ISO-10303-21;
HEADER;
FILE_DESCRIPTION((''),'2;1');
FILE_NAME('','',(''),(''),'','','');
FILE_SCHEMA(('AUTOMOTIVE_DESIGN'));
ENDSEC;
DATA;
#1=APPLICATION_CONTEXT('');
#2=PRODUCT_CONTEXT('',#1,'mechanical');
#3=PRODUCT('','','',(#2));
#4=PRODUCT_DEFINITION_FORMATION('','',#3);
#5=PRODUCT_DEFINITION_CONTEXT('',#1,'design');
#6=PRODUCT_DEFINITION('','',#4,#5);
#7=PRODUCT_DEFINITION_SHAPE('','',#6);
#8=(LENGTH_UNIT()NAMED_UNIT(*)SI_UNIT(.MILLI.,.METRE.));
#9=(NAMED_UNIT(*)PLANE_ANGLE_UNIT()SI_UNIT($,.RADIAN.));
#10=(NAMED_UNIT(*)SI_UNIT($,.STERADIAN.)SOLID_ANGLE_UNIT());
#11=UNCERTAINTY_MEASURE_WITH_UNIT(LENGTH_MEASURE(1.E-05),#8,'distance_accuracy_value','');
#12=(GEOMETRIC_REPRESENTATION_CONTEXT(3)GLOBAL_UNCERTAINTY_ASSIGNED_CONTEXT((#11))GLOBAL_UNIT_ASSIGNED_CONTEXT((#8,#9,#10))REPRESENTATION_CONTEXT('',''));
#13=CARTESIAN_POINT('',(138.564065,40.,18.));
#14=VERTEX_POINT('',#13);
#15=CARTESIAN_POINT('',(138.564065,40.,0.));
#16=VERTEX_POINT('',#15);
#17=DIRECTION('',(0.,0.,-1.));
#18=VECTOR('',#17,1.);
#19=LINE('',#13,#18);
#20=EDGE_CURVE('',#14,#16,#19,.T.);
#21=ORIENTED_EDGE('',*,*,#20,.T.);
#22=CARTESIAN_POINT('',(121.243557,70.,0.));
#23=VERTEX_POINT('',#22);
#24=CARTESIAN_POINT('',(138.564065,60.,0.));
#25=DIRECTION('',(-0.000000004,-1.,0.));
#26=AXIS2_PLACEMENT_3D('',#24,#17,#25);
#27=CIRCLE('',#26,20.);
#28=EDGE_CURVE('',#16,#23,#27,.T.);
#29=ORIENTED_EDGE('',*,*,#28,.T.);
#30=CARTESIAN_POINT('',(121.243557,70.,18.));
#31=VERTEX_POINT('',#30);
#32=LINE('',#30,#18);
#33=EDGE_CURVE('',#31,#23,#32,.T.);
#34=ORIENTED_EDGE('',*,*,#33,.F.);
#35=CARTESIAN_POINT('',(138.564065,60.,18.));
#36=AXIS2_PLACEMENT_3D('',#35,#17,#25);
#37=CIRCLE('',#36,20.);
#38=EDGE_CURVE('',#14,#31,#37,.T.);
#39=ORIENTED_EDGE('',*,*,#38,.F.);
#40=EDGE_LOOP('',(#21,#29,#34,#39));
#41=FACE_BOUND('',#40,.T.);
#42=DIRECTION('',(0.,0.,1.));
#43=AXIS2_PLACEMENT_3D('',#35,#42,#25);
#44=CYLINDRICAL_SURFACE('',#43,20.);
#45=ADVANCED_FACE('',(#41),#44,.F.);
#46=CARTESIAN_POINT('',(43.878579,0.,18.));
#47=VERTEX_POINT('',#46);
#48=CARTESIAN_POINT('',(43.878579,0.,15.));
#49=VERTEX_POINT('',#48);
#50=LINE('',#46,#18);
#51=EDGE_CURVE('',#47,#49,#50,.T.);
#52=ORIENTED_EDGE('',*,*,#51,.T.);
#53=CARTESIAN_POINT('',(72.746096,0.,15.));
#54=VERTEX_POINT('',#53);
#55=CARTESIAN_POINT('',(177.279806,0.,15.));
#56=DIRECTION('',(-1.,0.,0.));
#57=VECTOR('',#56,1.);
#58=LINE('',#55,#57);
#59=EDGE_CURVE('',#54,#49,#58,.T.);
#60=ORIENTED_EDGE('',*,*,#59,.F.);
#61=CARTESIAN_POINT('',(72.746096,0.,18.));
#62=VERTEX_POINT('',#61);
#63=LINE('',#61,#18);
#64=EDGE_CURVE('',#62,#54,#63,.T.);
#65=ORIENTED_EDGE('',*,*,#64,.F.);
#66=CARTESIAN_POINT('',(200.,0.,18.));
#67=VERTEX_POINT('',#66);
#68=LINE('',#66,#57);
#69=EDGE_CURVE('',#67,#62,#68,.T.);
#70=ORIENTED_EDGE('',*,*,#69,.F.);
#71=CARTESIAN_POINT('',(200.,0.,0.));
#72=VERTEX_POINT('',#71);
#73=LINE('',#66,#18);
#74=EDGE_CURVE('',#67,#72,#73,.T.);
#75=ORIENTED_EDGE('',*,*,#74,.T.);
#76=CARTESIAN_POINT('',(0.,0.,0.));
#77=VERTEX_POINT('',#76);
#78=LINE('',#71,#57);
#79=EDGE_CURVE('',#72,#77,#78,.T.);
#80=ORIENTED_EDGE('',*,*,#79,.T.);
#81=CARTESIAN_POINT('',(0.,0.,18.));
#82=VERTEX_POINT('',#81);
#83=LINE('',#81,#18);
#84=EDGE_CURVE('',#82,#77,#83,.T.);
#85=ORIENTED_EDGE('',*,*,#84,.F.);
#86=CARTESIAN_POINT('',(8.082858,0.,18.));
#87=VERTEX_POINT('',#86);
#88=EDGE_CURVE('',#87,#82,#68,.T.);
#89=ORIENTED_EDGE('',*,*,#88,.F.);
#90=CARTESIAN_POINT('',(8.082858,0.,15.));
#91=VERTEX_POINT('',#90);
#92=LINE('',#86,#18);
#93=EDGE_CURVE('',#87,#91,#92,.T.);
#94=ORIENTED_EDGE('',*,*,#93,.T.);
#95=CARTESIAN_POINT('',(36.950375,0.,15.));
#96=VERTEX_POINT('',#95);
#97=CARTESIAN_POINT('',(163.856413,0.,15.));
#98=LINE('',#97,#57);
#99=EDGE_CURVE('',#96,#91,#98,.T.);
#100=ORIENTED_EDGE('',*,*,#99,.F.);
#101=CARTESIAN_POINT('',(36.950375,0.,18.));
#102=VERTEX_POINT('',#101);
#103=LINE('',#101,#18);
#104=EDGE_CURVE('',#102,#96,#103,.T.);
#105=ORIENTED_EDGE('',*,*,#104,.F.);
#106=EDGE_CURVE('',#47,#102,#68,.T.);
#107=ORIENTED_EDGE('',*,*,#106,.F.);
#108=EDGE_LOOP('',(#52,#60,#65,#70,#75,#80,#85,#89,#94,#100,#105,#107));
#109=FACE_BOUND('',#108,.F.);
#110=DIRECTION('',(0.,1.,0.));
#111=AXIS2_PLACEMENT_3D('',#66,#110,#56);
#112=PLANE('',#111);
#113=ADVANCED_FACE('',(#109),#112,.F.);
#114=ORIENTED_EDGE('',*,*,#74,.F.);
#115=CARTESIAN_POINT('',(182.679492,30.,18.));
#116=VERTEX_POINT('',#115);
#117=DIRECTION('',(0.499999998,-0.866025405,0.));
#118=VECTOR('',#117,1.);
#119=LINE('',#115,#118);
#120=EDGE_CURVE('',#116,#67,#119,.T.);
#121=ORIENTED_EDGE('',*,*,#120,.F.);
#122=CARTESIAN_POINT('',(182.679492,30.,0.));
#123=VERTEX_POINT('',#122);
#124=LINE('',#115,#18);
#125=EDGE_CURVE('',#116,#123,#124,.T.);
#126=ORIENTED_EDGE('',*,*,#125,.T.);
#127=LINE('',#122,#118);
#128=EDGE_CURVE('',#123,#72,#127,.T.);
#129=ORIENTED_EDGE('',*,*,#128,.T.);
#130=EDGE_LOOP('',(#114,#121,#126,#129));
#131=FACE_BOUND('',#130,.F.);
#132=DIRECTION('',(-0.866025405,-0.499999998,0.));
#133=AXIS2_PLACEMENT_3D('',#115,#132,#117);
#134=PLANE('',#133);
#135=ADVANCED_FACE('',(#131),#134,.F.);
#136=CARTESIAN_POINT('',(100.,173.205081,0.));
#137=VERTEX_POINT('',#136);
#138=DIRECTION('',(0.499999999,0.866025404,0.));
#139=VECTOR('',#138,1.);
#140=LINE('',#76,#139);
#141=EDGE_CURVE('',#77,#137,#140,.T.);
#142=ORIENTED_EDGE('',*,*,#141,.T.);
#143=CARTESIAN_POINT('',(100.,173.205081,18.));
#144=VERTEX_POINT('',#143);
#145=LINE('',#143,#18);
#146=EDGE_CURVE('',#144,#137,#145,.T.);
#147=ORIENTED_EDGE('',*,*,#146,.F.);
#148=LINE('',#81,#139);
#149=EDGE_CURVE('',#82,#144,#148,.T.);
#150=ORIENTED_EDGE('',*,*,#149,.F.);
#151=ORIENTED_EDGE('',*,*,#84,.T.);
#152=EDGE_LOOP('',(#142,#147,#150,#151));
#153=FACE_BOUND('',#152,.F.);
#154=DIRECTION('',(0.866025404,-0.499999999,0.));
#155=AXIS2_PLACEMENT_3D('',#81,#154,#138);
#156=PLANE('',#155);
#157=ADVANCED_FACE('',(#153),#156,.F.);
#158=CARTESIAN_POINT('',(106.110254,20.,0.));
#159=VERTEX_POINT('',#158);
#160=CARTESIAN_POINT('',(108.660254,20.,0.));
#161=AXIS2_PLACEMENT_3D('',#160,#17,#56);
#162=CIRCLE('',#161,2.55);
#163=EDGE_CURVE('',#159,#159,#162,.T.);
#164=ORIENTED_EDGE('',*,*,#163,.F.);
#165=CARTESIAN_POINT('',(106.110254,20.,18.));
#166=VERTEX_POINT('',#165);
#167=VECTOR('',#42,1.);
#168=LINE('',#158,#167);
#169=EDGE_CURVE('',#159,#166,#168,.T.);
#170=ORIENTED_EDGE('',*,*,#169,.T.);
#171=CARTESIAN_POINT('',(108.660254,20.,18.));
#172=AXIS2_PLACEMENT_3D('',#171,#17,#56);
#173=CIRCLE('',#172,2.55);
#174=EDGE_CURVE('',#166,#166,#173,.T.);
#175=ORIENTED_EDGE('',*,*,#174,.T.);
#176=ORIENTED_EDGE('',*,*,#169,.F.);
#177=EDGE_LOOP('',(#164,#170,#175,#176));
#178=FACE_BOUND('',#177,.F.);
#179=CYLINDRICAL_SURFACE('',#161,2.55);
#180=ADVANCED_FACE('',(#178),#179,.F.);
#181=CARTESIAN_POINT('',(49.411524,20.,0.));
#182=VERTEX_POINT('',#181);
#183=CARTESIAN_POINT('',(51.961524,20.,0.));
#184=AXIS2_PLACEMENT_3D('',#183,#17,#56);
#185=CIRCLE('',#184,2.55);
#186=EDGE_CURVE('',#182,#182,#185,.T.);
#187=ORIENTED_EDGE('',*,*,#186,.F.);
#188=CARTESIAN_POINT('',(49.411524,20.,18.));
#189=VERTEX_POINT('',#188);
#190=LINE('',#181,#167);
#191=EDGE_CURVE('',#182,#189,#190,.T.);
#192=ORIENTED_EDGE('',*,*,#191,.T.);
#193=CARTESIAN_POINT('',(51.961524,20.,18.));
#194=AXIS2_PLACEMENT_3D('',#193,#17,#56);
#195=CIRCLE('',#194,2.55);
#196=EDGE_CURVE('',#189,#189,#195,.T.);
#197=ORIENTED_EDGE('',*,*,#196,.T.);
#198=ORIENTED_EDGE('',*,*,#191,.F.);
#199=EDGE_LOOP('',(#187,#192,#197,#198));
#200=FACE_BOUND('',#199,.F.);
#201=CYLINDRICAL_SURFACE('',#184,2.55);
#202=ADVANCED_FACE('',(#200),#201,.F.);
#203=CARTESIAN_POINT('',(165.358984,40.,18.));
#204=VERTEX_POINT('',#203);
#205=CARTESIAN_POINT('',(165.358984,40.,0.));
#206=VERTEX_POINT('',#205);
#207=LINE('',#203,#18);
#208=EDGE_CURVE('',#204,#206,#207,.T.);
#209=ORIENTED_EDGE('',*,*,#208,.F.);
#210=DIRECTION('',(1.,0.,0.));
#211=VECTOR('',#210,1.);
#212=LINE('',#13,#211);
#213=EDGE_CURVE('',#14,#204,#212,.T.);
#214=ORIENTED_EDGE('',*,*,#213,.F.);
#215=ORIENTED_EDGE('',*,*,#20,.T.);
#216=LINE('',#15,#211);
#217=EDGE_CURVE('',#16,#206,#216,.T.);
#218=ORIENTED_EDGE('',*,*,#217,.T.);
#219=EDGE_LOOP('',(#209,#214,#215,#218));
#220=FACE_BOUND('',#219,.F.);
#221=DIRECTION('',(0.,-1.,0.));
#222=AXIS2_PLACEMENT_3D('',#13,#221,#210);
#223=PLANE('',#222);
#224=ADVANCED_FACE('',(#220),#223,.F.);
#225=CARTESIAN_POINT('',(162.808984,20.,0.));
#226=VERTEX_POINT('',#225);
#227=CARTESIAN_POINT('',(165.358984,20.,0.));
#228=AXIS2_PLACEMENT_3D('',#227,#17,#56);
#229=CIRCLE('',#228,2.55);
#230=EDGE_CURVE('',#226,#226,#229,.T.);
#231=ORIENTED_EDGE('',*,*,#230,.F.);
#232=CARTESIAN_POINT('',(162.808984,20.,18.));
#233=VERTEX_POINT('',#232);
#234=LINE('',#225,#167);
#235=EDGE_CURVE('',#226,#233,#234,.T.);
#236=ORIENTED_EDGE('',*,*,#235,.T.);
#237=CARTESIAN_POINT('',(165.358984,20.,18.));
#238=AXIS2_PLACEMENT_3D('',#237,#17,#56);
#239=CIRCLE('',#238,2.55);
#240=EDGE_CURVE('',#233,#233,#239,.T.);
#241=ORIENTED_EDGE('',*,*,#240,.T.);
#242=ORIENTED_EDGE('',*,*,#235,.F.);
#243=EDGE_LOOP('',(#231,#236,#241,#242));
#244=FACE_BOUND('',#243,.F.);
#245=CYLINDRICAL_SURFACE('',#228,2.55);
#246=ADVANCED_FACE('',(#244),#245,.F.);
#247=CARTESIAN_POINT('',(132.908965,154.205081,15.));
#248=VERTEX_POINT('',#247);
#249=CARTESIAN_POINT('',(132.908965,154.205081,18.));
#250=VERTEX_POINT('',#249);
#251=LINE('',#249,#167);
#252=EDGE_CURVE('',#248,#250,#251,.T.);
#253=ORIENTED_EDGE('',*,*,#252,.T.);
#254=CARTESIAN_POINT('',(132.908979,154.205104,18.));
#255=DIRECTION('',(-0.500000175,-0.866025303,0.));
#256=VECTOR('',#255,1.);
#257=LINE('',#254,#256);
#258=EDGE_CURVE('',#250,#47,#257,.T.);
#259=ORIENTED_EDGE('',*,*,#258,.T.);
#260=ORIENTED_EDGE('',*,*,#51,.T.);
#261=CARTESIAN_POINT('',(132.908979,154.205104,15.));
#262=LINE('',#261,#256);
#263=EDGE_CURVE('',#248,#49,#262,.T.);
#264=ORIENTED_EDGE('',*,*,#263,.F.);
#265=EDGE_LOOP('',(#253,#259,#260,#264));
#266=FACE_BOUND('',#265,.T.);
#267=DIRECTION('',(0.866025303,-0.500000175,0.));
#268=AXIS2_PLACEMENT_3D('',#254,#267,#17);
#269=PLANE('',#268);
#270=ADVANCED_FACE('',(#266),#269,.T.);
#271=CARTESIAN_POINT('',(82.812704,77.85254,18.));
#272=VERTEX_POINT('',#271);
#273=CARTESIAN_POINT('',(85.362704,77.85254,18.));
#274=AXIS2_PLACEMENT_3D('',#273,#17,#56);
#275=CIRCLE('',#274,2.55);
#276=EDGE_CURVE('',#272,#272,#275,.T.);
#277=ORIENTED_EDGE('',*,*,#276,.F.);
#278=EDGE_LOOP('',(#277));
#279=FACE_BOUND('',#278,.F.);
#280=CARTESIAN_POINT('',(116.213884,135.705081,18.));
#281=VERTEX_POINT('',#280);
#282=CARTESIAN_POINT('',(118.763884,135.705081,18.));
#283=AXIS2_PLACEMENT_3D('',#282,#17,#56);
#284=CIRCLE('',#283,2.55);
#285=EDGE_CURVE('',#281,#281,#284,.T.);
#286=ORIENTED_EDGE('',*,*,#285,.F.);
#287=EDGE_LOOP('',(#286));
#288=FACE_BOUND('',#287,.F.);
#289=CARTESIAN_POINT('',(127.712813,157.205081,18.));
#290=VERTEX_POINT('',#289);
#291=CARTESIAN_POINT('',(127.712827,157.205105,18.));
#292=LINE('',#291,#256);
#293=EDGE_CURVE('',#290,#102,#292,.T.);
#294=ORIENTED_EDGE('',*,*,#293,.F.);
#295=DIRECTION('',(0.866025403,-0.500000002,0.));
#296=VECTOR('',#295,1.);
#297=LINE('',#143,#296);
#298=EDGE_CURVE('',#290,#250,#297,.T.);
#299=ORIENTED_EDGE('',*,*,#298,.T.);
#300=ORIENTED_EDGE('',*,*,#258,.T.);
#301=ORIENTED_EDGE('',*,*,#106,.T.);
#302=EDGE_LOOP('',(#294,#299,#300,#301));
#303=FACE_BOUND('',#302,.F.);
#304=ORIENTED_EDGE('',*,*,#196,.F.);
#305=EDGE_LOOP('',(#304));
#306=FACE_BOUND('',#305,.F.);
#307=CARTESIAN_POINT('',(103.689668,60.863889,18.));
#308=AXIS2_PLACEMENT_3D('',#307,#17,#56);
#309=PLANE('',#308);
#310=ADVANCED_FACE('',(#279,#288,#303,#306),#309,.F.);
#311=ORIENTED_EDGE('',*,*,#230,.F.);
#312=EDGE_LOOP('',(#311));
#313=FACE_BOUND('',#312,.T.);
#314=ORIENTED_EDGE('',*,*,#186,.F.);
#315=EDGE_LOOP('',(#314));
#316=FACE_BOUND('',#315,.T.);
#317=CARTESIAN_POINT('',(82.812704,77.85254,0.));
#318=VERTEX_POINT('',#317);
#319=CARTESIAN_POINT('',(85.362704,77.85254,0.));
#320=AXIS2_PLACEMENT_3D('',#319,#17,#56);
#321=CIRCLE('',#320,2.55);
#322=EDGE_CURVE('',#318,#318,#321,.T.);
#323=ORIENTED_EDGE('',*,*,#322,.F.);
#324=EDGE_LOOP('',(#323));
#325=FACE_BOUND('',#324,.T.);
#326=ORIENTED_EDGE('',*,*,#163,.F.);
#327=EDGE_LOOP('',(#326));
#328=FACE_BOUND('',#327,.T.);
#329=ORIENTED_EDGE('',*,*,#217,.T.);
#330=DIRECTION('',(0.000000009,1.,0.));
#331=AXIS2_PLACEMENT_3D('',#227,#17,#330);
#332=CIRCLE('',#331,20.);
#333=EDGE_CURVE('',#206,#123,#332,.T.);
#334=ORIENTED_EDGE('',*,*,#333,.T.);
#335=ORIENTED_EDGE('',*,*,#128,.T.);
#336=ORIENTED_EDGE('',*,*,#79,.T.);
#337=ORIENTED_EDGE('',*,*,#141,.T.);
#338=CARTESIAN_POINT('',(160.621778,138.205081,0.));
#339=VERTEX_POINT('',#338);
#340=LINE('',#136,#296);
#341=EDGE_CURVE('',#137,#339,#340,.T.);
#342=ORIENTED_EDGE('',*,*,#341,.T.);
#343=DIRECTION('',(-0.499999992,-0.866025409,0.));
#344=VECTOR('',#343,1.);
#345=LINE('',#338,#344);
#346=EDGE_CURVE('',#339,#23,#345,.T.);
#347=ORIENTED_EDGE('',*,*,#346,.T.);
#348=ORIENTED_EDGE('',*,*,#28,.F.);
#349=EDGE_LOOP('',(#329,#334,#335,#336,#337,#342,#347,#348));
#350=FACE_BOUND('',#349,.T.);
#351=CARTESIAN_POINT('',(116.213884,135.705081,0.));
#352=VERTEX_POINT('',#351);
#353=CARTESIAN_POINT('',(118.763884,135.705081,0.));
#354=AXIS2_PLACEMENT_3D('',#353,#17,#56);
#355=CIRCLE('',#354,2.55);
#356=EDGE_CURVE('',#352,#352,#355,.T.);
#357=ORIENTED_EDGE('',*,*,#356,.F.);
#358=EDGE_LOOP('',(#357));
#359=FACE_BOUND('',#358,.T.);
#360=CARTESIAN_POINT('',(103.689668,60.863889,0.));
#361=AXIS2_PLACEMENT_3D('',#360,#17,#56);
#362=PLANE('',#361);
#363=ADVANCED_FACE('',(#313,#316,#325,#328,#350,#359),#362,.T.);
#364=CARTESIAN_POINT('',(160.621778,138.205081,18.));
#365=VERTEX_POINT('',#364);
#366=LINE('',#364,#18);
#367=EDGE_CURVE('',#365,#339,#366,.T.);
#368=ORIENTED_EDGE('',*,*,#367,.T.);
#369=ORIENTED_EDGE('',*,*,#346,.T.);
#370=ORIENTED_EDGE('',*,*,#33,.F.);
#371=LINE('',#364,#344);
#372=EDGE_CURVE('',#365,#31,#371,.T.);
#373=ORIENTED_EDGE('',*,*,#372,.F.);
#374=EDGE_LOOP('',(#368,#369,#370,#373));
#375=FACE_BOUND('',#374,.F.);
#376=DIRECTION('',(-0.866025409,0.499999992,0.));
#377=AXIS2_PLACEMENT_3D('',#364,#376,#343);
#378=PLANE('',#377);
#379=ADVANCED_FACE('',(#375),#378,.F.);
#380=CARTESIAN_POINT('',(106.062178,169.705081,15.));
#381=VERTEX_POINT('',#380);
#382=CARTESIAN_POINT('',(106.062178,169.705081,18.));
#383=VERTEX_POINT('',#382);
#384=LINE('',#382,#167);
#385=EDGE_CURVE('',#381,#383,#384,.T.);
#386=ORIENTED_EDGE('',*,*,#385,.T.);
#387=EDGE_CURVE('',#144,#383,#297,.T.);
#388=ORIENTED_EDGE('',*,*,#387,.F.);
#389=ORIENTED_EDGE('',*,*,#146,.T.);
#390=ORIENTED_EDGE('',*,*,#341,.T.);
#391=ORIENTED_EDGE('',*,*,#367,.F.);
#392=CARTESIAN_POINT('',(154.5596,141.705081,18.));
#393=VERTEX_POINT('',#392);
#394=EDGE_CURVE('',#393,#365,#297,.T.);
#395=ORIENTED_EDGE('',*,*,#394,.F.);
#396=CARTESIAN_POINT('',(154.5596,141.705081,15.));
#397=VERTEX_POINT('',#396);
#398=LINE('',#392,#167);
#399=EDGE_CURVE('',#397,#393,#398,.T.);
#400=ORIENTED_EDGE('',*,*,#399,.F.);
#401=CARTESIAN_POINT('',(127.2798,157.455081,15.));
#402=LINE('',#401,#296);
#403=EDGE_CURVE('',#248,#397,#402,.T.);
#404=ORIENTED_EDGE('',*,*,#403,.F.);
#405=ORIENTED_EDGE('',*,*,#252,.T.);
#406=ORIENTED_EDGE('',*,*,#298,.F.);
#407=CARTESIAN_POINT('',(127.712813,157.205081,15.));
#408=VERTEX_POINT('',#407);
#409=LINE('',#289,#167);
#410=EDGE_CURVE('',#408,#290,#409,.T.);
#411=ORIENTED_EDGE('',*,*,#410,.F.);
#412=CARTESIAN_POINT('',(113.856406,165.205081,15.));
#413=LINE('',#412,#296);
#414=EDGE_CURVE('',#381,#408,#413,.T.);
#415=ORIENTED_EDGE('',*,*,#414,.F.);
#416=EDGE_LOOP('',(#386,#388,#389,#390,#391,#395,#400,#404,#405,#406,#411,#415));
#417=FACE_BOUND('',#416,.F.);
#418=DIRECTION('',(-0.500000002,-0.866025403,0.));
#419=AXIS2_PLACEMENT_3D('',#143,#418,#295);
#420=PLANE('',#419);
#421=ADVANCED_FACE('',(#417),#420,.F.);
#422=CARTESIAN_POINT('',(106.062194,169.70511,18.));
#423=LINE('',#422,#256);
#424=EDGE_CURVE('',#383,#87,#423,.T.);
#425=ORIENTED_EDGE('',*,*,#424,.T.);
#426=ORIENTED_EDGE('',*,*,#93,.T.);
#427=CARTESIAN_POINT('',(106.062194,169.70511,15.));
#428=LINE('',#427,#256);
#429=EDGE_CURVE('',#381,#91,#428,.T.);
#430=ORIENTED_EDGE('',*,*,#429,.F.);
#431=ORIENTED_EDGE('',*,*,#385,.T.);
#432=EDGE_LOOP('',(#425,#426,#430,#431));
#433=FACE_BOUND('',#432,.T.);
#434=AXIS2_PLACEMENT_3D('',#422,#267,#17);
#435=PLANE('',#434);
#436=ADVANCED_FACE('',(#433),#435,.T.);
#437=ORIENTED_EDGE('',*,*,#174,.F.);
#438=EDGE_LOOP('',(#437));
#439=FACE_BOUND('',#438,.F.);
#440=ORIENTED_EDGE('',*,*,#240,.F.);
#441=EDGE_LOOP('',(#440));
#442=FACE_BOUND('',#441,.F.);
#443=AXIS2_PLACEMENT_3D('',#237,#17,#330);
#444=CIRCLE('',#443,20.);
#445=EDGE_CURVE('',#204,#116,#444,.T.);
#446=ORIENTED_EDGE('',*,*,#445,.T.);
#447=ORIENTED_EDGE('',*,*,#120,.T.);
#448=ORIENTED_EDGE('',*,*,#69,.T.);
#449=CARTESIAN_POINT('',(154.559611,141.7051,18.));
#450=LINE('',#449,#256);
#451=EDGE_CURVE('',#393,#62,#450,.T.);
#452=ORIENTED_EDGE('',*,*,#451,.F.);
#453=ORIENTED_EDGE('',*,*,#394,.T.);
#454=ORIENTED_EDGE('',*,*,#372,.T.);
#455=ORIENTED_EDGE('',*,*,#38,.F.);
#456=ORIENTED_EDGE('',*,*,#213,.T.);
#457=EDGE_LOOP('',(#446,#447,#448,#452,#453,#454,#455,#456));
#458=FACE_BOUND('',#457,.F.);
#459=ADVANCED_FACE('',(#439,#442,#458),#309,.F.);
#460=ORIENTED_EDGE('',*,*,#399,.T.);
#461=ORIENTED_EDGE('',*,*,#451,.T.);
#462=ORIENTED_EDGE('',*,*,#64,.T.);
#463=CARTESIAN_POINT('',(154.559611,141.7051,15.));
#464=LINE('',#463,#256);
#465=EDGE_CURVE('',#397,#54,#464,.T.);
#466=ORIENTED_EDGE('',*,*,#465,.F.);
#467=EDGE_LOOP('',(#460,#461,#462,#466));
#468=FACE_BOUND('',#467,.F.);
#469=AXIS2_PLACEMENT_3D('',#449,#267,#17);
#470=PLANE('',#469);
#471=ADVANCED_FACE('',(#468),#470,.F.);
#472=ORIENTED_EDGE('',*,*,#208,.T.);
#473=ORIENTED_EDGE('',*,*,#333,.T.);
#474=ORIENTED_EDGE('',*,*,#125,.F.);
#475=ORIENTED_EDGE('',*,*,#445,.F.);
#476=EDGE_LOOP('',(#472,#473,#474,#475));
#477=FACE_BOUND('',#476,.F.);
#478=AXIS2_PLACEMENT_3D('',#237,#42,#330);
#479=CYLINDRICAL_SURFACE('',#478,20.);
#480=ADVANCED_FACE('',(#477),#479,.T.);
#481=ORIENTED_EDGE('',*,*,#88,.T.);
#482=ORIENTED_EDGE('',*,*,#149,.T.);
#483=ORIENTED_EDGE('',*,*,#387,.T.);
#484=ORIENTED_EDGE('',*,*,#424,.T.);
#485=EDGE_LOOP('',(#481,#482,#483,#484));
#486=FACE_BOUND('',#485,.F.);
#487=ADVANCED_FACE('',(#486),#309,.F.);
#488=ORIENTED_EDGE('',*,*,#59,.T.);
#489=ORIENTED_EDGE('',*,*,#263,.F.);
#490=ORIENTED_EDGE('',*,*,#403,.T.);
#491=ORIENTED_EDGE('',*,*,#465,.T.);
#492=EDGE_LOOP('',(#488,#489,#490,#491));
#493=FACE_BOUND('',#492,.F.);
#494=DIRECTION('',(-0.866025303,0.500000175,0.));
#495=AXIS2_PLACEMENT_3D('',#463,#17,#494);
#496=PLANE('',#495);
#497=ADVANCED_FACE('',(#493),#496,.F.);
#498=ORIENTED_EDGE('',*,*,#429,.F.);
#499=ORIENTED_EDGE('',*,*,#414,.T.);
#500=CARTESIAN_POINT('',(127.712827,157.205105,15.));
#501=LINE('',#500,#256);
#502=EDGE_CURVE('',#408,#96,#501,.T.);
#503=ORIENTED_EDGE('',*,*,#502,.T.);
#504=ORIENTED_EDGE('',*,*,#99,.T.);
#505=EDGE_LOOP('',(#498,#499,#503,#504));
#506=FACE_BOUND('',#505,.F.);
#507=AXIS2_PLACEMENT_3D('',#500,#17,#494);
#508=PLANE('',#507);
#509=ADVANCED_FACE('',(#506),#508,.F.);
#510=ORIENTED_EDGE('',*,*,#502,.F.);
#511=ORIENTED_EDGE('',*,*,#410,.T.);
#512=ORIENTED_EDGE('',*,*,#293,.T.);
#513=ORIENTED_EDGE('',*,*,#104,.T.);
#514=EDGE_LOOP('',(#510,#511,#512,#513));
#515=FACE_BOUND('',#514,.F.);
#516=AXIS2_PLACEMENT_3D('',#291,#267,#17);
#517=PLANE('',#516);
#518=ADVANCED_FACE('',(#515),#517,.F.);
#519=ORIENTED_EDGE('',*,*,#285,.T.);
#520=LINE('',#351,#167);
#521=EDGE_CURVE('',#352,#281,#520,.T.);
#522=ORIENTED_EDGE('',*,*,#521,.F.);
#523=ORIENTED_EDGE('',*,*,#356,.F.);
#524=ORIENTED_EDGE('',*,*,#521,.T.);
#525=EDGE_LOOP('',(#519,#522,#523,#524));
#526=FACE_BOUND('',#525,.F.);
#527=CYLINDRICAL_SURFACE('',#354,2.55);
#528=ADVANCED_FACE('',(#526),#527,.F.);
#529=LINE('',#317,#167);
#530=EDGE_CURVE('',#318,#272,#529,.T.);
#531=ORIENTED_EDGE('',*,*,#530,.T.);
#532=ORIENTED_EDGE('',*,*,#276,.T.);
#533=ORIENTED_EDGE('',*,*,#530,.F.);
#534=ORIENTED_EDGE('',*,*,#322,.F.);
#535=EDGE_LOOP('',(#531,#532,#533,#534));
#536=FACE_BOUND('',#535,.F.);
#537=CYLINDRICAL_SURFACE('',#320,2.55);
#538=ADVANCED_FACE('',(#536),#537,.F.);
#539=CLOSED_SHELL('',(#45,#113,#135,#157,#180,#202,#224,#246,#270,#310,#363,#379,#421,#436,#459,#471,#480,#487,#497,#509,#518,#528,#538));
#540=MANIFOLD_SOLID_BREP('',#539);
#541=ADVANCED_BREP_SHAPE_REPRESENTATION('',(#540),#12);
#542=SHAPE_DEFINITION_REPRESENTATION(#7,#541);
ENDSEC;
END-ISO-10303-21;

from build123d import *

# Parameters (mm, degrees)
PAD_DEPTH                = 18
SKETCH001_R              = 2.55
POCKET_DEPTH             = 18.001
SKETCH003_W              = 3
SKETCH003_H              = 25
POCKET003_DEPTH          = 200.001
CLONE003_PITCH_ANGLE     = 90
CLONE003_PLACEMENT_ANGLE = 90


with BuildPart() as part:
    # Sketch → Pad (new body)
    with BuildSketch(Plane.YZ):
        with BuildLine():
            Line((0, 0), (200, 0))
            Line((200, 0), (100, 173.205081))
            Line((100, 173.205081), (39.378222, 138.205081))
            Line((39.378222, 138.205081), (78.756443, 70))
            ThreePointArc((61.435935, 40), (78.756443, 50), (78.756443, 70))
            Line((61.435935, 40), (34.641016, 40))
            ThreePointArc((34.641016, 40), (24.641016, 37.320508), (17.320508, 30))
            Line((17.320508, 30), (0, 0))
        make_face()
    extrude(amount=PAD_DEPTH)

    # Sketch001 (on Face10 of Pad) → Pocket (cut, through all)
    with BuildSketch(Plane.YZ.offset(18)):
        with Locations((81.236116, 135.705081)):
            Circle(SKETCH001_R)
        with Locations((114.637296, 77.85254)):
            Circle(SKETCH001_R)
        with Locations((148.038476, 20)):
            Circle(SKETCH001_R)
        with Locations((91.339746, 20)):
            Circle(SKETCH001_R)
        with Locations((34.641016, 20)):
            Circle(SKETCH001_R)
    extrude(amount=-POCKET_DEPTH, mode=Mode.SUBTRACT)

    # Sketch003 (on Face8 of Clone002) → Pocket003 (cut, through all)
    with BuildSketch(Plane(origin=(0, -50, 86.60254), x_dir=(1, 0, 0), z_dir=(0, -0.5, 0.866025))):
        with Locations((1.5, 122.705081)):
            Rectangle(SKETCH003_W, SKETCH003_H)
        with Locations((1.5, 153.705081)):
            Rectangle(SKETCH003_W, SKETCH003_H)
    extrude(amount=-POCKET003_DEPTH, mode=Mode.SUBTRACT)


with BuildPart() as part_1:
    # Clone003 pitch: moved
    add(part.part.rotate(Axis((0, 0, 0), (0, 1, 0)), CLONE003_PITCH_ANGLE))


with BuildPart() as part_2:
    # Clone003 placement: moved
    add(part_1.part.moved(Location((200, 0, 18))).rotate(Axis((200, 0, 18), (0, 0, 1)), CLONE003_PLACEMENT_ANGLE))


solid = part_2.part
